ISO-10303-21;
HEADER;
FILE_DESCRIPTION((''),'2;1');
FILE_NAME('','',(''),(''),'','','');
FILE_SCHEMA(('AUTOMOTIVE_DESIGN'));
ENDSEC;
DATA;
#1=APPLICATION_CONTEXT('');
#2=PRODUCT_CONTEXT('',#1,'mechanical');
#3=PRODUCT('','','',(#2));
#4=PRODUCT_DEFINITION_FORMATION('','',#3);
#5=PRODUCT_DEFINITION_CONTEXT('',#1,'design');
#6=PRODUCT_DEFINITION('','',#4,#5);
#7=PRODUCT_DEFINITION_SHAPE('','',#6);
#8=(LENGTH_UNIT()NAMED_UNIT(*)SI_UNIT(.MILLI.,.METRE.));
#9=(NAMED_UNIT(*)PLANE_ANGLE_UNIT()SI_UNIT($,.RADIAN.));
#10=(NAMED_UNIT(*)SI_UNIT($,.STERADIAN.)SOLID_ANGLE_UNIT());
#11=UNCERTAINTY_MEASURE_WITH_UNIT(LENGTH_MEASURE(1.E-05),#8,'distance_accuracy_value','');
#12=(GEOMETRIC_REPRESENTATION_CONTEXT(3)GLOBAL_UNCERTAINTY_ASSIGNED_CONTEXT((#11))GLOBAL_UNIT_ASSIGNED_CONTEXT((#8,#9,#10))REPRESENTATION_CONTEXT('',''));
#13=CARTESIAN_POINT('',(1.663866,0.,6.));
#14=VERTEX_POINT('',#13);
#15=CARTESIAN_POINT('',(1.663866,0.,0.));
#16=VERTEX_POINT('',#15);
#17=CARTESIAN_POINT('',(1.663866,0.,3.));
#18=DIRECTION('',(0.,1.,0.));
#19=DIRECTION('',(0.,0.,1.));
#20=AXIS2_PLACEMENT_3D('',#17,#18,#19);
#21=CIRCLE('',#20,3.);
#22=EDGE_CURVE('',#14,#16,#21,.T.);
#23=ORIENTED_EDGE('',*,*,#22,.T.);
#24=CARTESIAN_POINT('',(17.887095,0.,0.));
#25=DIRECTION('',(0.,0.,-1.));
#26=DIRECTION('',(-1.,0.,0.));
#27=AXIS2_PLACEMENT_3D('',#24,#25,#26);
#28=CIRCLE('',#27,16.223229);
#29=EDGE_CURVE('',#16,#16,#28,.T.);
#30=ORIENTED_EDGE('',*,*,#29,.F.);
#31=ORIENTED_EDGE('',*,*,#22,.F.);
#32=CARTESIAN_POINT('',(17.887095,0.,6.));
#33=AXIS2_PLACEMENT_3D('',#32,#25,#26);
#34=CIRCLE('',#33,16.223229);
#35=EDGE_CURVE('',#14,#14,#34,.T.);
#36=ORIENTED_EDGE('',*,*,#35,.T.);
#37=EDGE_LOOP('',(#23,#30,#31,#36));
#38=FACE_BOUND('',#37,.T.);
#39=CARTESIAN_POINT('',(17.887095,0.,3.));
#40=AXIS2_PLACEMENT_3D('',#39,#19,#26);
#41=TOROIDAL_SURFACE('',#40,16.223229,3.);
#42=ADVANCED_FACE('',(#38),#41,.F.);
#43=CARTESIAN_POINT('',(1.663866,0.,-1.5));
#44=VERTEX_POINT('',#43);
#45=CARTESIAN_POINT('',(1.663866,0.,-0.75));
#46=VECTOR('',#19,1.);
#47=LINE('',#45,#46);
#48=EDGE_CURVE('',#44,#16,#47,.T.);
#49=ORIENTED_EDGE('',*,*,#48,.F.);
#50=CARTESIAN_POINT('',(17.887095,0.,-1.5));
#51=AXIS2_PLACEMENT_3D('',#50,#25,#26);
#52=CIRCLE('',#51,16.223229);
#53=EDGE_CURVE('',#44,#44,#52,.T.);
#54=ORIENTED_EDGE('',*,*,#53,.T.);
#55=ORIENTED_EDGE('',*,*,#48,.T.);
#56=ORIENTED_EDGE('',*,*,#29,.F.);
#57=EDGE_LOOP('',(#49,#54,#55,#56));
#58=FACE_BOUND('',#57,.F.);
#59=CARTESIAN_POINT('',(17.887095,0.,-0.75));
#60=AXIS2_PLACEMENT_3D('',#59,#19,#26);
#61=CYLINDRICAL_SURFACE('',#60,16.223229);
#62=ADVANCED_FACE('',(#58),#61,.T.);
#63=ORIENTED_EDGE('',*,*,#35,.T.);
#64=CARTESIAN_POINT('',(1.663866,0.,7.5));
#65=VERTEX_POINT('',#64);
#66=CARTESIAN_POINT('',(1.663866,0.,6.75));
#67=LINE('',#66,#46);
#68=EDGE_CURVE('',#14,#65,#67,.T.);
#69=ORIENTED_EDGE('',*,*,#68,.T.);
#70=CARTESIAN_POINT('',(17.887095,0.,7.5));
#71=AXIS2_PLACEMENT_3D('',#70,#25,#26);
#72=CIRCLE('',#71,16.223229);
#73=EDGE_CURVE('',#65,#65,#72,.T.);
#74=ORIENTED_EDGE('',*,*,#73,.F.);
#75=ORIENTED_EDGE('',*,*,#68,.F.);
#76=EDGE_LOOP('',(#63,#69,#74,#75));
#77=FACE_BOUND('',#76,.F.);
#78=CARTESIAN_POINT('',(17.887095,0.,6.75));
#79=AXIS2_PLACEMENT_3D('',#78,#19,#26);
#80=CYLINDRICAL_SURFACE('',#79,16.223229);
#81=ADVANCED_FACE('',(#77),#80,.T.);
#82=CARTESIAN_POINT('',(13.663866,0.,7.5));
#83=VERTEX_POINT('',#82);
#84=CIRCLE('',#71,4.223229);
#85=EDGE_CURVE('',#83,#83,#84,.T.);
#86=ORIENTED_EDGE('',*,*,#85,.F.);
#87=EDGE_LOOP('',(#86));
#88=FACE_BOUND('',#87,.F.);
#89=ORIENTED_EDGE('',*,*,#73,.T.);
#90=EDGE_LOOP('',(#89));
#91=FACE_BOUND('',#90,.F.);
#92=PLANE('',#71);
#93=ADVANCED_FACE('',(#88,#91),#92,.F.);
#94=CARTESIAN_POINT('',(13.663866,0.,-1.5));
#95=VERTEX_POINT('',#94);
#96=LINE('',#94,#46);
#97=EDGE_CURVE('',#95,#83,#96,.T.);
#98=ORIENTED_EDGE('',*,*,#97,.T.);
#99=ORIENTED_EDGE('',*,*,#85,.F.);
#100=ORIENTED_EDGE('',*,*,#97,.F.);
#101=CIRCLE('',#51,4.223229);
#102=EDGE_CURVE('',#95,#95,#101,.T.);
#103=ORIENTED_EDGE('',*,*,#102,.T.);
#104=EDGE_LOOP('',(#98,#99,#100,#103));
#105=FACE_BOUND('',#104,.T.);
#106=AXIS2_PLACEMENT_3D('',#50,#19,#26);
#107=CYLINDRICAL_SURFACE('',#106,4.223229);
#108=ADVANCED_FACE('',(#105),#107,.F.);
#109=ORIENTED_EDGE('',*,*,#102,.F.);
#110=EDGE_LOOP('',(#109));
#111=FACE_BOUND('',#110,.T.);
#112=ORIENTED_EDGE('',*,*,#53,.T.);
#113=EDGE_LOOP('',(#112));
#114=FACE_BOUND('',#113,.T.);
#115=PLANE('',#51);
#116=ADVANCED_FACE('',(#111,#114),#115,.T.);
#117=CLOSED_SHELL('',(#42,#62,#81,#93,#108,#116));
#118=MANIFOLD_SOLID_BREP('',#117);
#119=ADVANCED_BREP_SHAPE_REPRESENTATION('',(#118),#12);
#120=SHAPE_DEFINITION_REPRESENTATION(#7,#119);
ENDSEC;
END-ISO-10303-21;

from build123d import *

# Parameters (mm, degrees)
F0_W = 12
F0_H = 1.5


with BuildPart() as f1:
    # F0 (on Front) → F1 (revolve)
    with BuildSketch(Plane.XZ):
        with Locations((7.663866, 6.75)):
            Rectangle(F0_W, F0_H)
        with BuildLine():
            ThreePointArc((1.663866, 6), (4.663866, 3), (1.663866, 0))
            Line((1.663866, 0), (13.663866, 0))
            Line((13.663866, 0), (13.663866, 6))
            Line((13.663866, 6), (1.663866, 6))
        make_face()
        with Locations((7.663866, -0.75)):
            Rectangle(F0_W, F0_H)
    revolve(axis=Axis((17.887095, 0, 3.662785), (0, 0, -1)))


solid = f1.part
